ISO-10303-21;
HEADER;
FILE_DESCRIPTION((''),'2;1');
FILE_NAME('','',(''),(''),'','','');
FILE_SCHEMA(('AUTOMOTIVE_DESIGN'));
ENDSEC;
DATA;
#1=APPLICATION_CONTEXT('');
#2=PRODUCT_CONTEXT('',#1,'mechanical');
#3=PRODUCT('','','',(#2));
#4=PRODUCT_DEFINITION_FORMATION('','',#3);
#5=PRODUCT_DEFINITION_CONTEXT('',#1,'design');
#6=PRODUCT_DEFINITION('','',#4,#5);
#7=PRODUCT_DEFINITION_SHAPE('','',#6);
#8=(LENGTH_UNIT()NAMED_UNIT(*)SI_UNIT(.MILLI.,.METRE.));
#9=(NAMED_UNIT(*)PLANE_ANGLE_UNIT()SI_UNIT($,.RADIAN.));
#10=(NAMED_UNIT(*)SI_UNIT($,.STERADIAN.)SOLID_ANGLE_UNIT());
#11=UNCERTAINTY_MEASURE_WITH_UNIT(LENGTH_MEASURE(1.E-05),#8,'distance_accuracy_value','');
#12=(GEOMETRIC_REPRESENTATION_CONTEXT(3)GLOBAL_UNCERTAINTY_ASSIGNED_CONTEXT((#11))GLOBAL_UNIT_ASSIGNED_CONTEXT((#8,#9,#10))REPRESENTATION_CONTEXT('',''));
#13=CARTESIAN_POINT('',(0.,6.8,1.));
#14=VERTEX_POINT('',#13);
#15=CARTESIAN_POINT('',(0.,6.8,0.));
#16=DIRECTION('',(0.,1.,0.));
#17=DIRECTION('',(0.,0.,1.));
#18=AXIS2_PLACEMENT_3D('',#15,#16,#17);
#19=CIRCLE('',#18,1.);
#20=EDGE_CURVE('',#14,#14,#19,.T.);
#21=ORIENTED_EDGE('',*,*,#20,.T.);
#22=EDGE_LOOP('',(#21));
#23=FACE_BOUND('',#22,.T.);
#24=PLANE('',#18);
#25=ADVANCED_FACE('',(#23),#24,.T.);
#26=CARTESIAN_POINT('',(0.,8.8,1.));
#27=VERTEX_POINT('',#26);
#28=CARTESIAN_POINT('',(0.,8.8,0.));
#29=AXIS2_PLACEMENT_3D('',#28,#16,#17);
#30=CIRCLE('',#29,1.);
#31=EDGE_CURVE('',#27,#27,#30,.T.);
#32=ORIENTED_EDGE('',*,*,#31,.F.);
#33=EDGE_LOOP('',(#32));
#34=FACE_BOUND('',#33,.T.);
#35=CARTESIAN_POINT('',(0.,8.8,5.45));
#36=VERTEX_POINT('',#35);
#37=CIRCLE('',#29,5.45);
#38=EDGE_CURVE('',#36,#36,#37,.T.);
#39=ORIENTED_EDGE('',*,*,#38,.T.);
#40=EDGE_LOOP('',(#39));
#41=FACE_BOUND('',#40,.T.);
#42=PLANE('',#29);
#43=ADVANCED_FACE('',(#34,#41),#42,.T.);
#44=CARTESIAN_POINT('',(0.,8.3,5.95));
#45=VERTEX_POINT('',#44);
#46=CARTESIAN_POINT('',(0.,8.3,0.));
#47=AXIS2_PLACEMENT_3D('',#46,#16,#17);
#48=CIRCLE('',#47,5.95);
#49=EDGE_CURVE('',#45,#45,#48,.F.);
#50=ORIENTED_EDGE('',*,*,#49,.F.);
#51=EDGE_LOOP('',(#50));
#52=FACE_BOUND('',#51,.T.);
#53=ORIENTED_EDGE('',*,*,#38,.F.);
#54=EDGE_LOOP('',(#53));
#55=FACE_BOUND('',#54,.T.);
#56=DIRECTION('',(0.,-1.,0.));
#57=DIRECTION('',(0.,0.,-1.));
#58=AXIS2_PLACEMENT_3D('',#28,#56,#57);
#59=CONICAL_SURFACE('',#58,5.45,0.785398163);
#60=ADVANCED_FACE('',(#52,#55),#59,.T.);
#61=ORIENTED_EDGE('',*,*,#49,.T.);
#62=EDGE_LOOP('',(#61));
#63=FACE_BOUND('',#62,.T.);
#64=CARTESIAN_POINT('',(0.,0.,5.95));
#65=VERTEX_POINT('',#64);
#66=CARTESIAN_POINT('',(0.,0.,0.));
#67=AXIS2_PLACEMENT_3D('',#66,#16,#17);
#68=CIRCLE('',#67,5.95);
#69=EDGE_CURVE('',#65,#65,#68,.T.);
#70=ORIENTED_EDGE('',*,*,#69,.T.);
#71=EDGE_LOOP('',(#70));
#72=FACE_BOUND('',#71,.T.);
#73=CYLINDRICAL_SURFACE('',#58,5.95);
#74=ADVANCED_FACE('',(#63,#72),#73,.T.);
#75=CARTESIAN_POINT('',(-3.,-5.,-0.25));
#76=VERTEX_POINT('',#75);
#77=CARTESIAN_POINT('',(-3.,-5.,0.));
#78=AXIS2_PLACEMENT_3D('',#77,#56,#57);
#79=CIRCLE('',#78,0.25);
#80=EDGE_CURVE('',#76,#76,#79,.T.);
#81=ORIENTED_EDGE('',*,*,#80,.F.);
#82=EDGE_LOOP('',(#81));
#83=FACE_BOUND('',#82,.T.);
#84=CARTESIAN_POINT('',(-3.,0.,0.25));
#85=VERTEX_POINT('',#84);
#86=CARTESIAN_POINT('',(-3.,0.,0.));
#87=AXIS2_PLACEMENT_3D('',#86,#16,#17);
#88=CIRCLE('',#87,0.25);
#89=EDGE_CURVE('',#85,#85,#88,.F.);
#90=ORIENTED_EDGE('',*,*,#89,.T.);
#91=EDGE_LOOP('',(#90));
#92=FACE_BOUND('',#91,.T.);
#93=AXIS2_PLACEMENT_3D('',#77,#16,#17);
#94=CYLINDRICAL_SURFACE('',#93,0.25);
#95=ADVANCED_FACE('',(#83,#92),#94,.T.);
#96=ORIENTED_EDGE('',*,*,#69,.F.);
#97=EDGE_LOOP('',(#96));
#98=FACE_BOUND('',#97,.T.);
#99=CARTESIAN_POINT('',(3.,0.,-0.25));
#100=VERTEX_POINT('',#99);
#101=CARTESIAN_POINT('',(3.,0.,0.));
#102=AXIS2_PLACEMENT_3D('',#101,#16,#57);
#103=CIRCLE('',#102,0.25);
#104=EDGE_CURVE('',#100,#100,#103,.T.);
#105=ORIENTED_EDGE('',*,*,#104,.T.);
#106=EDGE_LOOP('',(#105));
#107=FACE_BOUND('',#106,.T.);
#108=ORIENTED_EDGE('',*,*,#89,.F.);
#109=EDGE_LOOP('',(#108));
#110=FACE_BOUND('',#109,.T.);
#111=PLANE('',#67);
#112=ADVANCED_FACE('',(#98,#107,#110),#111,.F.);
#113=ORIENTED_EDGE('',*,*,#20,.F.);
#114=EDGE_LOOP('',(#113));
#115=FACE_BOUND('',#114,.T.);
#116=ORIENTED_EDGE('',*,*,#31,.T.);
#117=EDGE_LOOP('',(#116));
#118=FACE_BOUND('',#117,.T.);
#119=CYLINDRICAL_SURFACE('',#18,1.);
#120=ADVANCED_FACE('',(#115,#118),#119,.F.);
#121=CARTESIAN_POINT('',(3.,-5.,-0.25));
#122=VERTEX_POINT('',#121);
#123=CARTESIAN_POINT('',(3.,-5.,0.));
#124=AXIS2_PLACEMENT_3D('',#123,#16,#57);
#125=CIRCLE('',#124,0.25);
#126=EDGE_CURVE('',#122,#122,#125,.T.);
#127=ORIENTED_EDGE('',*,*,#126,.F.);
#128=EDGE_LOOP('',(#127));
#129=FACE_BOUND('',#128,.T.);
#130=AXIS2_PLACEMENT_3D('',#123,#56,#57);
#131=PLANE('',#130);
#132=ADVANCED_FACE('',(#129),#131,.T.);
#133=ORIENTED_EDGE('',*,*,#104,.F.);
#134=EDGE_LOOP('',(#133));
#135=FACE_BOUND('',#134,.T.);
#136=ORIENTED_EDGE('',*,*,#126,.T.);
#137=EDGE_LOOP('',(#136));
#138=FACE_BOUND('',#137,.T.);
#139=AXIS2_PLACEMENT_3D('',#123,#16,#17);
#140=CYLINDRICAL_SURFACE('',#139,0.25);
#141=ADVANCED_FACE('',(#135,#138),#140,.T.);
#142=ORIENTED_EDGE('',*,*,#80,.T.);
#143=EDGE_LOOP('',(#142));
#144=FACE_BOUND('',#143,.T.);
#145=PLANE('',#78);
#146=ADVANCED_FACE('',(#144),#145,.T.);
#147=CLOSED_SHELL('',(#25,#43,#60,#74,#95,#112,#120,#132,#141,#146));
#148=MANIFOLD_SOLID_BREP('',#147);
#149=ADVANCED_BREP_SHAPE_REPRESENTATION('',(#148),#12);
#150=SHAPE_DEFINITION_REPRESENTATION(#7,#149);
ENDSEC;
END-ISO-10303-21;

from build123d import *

# Parameters (mm, degrees)
SKETCH1_R           = 5.95
BOSS_EXTRUDE1_DEPTH = 8.8
SKETCH2_R           = 1
CUT_EXTRUDE1_DEPTH  = 2
CHAMFER1_SIZE       = 0.5
SKETCH3_R           = 0.25
BOSS_EXTRUDE2_DEPTH = 5


with BuildPart() as part:
    # Sketch1 → Boss-Extrude1 (new body)
    with BuildSketch(Plane(origin=(0, 0, 0), x_dir=(1, 0, 0), z_dir=(0, 1, 0))):
        with Locations(Location((0, 0, 0), (0, 0, 270))):
            Circle(SKETCH1_R)
    extrude(amount=BOSS_EXTRUDE1_DEPTH)

    # Sketch2 → Cut-Extrude1 (cut)
    with BuildSketch(Plane(origin=(0, 8.8, 0), x_dir=(1, 0, 0), z_dir=(0, 1, 0))):
        with Locations(Location((0, 0, 0), (0, 0, 270))):
            Circle(SKETCH2_R)
    extrude(amount=-CUT_EXTRUDE1_DEPTH, mode=Mode.SUBTRACT)

    # Chamfer1
    chamfer1_edges = [part.edges().sort_by_distance(p)[0] for p in [
        (0, 8.8, -5.95),
    ]]
    chamfer(chamfer1_edges, length=CHAMFER1_SIZE)

    # Sketch3 → Boss-Extrude2 (add)
    with BuildSketch(Plane.XZ):
        with Locations(Location((-3, 0, 0), (0, 0, 90))):
            Circle(SKETCH3_R)
    boss_extrude2 = extrude(amount=BOSS_EXTRUDE2_DEPTH)

    # Mirror1: Boss-Extrude2 across plane
    add(boss_extrude2.mirror(Plane(origin=(0, 0, 0), x_dir=(0, 0, 1), z_dir=(1, 0, 0))))


solid = part.part
